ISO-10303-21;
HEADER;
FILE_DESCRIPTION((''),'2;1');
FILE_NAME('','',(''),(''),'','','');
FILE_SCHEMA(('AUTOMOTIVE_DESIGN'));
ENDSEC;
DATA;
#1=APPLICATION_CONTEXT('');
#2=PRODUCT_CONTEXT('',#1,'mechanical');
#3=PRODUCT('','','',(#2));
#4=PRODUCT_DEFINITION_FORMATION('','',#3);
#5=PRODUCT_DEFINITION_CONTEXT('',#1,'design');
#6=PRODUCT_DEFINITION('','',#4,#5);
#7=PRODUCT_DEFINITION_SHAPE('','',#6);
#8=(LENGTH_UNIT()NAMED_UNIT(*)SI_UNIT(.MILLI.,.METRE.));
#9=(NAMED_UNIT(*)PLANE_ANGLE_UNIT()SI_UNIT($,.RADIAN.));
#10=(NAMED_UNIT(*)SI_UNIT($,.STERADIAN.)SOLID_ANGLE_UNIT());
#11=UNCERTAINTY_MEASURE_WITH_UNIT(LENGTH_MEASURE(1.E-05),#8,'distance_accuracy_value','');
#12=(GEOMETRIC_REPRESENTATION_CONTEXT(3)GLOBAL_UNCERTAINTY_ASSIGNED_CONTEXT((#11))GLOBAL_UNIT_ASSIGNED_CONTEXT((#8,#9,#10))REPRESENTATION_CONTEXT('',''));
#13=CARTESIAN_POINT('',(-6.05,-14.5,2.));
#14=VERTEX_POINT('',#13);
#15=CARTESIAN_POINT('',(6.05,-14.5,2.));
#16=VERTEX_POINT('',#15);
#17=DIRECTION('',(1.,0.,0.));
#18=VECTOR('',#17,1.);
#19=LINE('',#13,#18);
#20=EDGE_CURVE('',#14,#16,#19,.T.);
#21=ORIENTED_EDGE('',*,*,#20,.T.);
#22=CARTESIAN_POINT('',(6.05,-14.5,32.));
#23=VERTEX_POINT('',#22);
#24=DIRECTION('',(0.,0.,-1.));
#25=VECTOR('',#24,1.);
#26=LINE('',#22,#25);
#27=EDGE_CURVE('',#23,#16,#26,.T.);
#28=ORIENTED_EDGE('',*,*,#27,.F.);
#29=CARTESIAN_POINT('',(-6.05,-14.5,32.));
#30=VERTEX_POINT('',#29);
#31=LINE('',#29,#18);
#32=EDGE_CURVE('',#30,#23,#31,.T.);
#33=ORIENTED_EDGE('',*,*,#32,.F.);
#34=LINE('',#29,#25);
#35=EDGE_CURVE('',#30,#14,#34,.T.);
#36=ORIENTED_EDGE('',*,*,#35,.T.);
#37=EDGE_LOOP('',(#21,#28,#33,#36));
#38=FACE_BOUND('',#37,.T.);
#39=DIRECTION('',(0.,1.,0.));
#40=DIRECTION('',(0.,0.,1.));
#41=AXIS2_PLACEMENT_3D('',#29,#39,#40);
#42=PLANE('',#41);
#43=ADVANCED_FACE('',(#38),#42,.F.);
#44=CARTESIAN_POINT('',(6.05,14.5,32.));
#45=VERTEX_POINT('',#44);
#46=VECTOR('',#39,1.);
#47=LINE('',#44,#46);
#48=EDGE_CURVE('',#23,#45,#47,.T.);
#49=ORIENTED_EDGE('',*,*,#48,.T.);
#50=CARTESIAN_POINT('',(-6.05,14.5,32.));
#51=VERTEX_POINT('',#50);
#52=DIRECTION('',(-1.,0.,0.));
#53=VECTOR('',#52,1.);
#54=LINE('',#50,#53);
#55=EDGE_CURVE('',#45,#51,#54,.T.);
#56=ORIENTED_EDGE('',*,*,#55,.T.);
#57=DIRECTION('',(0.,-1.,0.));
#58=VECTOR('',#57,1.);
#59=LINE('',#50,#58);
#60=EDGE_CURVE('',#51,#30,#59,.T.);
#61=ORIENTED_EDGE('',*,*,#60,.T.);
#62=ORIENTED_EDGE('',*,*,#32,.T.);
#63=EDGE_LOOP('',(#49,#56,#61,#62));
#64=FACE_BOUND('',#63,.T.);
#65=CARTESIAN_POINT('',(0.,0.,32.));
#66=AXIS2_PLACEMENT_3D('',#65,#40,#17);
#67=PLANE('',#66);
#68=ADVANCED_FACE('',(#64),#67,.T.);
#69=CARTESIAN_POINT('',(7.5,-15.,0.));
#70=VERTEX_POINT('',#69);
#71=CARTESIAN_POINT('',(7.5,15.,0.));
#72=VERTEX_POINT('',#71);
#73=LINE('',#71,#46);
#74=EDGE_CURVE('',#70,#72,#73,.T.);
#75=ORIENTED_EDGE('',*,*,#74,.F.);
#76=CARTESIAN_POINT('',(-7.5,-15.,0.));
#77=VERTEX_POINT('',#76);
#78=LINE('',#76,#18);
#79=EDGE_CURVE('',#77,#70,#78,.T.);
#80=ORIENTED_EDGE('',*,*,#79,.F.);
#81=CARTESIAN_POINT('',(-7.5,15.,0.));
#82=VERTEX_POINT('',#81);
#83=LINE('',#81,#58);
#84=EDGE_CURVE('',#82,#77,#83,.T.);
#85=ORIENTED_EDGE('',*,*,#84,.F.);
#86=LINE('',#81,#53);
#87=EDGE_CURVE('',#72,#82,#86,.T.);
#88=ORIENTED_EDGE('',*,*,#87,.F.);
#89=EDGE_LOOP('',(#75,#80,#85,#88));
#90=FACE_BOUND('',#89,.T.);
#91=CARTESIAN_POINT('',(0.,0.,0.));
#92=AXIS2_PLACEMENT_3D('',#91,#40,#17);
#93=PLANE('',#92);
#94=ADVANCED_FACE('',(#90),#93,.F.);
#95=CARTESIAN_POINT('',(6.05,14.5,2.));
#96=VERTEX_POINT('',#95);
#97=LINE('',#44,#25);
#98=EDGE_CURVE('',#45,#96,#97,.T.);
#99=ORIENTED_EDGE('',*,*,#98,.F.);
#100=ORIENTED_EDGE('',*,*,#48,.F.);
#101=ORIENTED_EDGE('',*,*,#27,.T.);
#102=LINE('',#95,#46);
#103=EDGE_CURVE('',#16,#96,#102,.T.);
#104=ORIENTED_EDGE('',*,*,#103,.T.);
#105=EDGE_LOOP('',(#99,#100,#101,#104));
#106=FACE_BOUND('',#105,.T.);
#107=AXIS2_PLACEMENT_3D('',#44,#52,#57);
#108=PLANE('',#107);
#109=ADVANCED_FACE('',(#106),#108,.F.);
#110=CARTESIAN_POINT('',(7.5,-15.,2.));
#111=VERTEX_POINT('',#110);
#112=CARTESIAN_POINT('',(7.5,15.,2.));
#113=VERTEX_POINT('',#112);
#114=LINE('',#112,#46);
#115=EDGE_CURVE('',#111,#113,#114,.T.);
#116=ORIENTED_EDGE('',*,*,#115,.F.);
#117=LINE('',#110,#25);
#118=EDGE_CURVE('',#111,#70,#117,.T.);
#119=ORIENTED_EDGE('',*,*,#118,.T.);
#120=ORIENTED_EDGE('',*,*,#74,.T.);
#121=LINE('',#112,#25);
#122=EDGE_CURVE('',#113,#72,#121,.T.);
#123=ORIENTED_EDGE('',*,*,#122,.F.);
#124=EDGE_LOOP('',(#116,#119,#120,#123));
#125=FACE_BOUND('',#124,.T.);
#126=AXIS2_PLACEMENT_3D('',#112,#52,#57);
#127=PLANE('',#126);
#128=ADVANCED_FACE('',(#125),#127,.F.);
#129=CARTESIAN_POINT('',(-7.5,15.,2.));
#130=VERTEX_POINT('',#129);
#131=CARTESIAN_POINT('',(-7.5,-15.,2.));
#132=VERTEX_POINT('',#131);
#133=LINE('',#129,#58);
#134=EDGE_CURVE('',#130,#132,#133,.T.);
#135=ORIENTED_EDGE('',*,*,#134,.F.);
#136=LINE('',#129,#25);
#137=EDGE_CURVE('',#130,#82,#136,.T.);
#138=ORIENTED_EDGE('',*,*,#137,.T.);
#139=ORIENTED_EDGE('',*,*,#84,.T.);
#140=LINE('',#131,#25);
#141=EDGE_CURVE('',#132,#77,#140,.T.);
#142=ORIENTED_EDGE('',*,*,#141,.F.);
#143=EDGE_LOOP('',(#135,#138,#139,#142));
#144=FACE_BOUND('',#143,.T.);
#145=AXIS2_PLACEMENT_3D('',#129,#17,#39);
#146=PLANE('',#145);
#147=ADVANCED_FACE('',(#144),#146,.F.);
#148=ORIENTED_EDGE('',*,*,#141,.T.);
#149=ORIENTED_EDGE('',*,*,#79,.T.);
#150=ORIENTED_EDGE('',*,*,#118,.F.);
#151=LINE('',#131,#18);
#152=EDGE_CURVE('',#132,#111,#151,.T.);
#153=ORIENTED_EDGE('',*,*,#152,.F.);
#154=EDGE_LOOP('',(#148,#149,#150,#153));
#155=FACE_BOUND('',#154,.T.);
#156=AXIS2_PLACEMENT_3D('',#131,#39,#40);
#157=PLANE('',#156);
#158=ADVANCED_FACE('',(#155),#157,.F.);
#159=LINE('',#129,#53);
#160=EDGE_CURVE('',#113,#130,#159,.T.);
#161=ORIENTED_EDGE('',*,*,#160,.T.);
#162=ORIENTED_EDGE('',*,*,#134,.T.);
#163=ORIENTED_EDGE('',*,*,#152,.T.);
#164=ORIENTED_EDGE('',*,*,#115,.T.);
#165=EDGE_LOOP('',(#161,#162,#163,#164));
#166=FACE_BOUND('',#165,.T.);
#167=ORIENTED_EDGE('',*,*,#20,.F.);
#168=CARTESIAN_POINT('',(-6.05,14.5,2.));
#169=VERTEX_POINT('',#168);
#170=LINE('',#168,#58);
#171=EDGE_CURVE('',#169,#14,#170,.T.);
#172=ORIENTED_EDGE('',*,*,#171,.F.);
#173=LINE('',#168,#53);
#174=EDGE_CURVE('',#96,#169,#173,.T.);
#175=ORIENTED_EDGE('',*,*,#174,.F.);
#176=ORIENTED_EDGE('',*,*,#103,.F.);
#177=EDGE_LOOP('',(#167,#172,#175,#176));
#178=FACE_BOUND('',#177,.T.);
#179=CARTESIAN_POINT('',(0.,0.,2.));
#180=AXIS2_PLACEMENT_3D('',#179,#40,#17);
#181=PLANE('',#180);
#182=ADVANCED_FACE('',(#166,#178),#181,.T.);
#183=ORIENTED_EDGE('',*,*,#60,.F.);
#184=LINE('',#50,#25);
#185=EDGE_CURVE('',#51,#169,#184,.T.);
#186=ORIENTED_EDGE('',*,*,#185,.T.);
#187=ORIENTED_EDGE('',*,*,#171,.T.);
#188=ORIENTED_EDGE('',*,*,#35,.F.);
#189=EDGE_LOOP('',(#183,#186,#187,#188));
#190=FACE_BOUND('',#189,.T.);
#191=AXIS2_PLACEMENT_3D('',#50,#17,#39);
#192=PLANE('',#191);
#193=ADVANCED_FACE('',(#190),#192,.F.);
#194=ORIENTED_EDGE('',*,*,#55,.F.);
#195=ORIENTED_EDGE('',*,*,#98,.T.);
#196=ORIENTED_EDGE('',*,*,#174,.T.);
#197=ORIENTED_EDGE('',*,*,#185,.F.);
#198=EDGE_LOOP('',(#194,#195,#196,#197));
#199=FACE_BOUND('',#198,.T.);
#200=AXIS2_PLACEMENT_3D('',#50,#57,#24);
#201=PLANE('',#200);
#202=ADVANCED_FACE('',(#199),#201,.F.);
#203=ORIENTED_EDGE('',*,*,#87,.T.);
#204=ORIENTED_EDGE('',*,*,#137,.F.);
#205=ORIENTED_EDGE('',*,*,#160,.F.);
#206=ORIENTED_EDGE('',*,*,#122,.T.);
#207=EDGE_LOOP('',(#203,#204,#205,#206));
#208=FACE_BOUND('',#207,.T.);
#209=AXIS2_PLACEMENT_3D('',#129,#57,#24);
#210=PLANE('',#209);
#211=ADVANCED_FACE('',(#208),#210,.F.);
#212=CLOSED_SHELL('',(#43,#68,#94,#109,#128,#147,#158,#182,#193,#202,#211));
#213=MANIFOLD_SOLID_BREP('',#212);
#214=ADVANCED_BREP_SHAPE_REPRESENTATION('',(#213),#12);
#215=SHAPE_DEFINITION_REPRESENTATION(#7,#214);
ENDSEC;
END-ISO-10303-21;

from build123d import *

# Parameters (mm, degrees)
ESQUISSE1_W        = 15
ESQUISSE1_H        = 30
BOSS_EXTRU_1_DEPTH = 2
ESQUISSE2_W        = 12.1
ESQUISSE2_H        = 29
BOSS_EXTRU_2_DEPTH = 30


with BuildPart() as part:
    # Esquisse1 → Boss.-Extru.1 (new body)
    with BuildSketch(Plane.XY):
        Rectangle(ESQUISSE1_W, ESQUISSE1_H)
    extrude(amount=BOSS_EXTRU_1_DEPTH)

    # Esquisse2 → Boss.-Extru.2 (add)
    with BuildSketch(Plane.XY.offset(2)):
        Rectangle(ESQUISSE2_W, ESQUISSE2_H)
    extrude(amount=BOSS_EXTRU_2_DEPTH)


solid = part.part
